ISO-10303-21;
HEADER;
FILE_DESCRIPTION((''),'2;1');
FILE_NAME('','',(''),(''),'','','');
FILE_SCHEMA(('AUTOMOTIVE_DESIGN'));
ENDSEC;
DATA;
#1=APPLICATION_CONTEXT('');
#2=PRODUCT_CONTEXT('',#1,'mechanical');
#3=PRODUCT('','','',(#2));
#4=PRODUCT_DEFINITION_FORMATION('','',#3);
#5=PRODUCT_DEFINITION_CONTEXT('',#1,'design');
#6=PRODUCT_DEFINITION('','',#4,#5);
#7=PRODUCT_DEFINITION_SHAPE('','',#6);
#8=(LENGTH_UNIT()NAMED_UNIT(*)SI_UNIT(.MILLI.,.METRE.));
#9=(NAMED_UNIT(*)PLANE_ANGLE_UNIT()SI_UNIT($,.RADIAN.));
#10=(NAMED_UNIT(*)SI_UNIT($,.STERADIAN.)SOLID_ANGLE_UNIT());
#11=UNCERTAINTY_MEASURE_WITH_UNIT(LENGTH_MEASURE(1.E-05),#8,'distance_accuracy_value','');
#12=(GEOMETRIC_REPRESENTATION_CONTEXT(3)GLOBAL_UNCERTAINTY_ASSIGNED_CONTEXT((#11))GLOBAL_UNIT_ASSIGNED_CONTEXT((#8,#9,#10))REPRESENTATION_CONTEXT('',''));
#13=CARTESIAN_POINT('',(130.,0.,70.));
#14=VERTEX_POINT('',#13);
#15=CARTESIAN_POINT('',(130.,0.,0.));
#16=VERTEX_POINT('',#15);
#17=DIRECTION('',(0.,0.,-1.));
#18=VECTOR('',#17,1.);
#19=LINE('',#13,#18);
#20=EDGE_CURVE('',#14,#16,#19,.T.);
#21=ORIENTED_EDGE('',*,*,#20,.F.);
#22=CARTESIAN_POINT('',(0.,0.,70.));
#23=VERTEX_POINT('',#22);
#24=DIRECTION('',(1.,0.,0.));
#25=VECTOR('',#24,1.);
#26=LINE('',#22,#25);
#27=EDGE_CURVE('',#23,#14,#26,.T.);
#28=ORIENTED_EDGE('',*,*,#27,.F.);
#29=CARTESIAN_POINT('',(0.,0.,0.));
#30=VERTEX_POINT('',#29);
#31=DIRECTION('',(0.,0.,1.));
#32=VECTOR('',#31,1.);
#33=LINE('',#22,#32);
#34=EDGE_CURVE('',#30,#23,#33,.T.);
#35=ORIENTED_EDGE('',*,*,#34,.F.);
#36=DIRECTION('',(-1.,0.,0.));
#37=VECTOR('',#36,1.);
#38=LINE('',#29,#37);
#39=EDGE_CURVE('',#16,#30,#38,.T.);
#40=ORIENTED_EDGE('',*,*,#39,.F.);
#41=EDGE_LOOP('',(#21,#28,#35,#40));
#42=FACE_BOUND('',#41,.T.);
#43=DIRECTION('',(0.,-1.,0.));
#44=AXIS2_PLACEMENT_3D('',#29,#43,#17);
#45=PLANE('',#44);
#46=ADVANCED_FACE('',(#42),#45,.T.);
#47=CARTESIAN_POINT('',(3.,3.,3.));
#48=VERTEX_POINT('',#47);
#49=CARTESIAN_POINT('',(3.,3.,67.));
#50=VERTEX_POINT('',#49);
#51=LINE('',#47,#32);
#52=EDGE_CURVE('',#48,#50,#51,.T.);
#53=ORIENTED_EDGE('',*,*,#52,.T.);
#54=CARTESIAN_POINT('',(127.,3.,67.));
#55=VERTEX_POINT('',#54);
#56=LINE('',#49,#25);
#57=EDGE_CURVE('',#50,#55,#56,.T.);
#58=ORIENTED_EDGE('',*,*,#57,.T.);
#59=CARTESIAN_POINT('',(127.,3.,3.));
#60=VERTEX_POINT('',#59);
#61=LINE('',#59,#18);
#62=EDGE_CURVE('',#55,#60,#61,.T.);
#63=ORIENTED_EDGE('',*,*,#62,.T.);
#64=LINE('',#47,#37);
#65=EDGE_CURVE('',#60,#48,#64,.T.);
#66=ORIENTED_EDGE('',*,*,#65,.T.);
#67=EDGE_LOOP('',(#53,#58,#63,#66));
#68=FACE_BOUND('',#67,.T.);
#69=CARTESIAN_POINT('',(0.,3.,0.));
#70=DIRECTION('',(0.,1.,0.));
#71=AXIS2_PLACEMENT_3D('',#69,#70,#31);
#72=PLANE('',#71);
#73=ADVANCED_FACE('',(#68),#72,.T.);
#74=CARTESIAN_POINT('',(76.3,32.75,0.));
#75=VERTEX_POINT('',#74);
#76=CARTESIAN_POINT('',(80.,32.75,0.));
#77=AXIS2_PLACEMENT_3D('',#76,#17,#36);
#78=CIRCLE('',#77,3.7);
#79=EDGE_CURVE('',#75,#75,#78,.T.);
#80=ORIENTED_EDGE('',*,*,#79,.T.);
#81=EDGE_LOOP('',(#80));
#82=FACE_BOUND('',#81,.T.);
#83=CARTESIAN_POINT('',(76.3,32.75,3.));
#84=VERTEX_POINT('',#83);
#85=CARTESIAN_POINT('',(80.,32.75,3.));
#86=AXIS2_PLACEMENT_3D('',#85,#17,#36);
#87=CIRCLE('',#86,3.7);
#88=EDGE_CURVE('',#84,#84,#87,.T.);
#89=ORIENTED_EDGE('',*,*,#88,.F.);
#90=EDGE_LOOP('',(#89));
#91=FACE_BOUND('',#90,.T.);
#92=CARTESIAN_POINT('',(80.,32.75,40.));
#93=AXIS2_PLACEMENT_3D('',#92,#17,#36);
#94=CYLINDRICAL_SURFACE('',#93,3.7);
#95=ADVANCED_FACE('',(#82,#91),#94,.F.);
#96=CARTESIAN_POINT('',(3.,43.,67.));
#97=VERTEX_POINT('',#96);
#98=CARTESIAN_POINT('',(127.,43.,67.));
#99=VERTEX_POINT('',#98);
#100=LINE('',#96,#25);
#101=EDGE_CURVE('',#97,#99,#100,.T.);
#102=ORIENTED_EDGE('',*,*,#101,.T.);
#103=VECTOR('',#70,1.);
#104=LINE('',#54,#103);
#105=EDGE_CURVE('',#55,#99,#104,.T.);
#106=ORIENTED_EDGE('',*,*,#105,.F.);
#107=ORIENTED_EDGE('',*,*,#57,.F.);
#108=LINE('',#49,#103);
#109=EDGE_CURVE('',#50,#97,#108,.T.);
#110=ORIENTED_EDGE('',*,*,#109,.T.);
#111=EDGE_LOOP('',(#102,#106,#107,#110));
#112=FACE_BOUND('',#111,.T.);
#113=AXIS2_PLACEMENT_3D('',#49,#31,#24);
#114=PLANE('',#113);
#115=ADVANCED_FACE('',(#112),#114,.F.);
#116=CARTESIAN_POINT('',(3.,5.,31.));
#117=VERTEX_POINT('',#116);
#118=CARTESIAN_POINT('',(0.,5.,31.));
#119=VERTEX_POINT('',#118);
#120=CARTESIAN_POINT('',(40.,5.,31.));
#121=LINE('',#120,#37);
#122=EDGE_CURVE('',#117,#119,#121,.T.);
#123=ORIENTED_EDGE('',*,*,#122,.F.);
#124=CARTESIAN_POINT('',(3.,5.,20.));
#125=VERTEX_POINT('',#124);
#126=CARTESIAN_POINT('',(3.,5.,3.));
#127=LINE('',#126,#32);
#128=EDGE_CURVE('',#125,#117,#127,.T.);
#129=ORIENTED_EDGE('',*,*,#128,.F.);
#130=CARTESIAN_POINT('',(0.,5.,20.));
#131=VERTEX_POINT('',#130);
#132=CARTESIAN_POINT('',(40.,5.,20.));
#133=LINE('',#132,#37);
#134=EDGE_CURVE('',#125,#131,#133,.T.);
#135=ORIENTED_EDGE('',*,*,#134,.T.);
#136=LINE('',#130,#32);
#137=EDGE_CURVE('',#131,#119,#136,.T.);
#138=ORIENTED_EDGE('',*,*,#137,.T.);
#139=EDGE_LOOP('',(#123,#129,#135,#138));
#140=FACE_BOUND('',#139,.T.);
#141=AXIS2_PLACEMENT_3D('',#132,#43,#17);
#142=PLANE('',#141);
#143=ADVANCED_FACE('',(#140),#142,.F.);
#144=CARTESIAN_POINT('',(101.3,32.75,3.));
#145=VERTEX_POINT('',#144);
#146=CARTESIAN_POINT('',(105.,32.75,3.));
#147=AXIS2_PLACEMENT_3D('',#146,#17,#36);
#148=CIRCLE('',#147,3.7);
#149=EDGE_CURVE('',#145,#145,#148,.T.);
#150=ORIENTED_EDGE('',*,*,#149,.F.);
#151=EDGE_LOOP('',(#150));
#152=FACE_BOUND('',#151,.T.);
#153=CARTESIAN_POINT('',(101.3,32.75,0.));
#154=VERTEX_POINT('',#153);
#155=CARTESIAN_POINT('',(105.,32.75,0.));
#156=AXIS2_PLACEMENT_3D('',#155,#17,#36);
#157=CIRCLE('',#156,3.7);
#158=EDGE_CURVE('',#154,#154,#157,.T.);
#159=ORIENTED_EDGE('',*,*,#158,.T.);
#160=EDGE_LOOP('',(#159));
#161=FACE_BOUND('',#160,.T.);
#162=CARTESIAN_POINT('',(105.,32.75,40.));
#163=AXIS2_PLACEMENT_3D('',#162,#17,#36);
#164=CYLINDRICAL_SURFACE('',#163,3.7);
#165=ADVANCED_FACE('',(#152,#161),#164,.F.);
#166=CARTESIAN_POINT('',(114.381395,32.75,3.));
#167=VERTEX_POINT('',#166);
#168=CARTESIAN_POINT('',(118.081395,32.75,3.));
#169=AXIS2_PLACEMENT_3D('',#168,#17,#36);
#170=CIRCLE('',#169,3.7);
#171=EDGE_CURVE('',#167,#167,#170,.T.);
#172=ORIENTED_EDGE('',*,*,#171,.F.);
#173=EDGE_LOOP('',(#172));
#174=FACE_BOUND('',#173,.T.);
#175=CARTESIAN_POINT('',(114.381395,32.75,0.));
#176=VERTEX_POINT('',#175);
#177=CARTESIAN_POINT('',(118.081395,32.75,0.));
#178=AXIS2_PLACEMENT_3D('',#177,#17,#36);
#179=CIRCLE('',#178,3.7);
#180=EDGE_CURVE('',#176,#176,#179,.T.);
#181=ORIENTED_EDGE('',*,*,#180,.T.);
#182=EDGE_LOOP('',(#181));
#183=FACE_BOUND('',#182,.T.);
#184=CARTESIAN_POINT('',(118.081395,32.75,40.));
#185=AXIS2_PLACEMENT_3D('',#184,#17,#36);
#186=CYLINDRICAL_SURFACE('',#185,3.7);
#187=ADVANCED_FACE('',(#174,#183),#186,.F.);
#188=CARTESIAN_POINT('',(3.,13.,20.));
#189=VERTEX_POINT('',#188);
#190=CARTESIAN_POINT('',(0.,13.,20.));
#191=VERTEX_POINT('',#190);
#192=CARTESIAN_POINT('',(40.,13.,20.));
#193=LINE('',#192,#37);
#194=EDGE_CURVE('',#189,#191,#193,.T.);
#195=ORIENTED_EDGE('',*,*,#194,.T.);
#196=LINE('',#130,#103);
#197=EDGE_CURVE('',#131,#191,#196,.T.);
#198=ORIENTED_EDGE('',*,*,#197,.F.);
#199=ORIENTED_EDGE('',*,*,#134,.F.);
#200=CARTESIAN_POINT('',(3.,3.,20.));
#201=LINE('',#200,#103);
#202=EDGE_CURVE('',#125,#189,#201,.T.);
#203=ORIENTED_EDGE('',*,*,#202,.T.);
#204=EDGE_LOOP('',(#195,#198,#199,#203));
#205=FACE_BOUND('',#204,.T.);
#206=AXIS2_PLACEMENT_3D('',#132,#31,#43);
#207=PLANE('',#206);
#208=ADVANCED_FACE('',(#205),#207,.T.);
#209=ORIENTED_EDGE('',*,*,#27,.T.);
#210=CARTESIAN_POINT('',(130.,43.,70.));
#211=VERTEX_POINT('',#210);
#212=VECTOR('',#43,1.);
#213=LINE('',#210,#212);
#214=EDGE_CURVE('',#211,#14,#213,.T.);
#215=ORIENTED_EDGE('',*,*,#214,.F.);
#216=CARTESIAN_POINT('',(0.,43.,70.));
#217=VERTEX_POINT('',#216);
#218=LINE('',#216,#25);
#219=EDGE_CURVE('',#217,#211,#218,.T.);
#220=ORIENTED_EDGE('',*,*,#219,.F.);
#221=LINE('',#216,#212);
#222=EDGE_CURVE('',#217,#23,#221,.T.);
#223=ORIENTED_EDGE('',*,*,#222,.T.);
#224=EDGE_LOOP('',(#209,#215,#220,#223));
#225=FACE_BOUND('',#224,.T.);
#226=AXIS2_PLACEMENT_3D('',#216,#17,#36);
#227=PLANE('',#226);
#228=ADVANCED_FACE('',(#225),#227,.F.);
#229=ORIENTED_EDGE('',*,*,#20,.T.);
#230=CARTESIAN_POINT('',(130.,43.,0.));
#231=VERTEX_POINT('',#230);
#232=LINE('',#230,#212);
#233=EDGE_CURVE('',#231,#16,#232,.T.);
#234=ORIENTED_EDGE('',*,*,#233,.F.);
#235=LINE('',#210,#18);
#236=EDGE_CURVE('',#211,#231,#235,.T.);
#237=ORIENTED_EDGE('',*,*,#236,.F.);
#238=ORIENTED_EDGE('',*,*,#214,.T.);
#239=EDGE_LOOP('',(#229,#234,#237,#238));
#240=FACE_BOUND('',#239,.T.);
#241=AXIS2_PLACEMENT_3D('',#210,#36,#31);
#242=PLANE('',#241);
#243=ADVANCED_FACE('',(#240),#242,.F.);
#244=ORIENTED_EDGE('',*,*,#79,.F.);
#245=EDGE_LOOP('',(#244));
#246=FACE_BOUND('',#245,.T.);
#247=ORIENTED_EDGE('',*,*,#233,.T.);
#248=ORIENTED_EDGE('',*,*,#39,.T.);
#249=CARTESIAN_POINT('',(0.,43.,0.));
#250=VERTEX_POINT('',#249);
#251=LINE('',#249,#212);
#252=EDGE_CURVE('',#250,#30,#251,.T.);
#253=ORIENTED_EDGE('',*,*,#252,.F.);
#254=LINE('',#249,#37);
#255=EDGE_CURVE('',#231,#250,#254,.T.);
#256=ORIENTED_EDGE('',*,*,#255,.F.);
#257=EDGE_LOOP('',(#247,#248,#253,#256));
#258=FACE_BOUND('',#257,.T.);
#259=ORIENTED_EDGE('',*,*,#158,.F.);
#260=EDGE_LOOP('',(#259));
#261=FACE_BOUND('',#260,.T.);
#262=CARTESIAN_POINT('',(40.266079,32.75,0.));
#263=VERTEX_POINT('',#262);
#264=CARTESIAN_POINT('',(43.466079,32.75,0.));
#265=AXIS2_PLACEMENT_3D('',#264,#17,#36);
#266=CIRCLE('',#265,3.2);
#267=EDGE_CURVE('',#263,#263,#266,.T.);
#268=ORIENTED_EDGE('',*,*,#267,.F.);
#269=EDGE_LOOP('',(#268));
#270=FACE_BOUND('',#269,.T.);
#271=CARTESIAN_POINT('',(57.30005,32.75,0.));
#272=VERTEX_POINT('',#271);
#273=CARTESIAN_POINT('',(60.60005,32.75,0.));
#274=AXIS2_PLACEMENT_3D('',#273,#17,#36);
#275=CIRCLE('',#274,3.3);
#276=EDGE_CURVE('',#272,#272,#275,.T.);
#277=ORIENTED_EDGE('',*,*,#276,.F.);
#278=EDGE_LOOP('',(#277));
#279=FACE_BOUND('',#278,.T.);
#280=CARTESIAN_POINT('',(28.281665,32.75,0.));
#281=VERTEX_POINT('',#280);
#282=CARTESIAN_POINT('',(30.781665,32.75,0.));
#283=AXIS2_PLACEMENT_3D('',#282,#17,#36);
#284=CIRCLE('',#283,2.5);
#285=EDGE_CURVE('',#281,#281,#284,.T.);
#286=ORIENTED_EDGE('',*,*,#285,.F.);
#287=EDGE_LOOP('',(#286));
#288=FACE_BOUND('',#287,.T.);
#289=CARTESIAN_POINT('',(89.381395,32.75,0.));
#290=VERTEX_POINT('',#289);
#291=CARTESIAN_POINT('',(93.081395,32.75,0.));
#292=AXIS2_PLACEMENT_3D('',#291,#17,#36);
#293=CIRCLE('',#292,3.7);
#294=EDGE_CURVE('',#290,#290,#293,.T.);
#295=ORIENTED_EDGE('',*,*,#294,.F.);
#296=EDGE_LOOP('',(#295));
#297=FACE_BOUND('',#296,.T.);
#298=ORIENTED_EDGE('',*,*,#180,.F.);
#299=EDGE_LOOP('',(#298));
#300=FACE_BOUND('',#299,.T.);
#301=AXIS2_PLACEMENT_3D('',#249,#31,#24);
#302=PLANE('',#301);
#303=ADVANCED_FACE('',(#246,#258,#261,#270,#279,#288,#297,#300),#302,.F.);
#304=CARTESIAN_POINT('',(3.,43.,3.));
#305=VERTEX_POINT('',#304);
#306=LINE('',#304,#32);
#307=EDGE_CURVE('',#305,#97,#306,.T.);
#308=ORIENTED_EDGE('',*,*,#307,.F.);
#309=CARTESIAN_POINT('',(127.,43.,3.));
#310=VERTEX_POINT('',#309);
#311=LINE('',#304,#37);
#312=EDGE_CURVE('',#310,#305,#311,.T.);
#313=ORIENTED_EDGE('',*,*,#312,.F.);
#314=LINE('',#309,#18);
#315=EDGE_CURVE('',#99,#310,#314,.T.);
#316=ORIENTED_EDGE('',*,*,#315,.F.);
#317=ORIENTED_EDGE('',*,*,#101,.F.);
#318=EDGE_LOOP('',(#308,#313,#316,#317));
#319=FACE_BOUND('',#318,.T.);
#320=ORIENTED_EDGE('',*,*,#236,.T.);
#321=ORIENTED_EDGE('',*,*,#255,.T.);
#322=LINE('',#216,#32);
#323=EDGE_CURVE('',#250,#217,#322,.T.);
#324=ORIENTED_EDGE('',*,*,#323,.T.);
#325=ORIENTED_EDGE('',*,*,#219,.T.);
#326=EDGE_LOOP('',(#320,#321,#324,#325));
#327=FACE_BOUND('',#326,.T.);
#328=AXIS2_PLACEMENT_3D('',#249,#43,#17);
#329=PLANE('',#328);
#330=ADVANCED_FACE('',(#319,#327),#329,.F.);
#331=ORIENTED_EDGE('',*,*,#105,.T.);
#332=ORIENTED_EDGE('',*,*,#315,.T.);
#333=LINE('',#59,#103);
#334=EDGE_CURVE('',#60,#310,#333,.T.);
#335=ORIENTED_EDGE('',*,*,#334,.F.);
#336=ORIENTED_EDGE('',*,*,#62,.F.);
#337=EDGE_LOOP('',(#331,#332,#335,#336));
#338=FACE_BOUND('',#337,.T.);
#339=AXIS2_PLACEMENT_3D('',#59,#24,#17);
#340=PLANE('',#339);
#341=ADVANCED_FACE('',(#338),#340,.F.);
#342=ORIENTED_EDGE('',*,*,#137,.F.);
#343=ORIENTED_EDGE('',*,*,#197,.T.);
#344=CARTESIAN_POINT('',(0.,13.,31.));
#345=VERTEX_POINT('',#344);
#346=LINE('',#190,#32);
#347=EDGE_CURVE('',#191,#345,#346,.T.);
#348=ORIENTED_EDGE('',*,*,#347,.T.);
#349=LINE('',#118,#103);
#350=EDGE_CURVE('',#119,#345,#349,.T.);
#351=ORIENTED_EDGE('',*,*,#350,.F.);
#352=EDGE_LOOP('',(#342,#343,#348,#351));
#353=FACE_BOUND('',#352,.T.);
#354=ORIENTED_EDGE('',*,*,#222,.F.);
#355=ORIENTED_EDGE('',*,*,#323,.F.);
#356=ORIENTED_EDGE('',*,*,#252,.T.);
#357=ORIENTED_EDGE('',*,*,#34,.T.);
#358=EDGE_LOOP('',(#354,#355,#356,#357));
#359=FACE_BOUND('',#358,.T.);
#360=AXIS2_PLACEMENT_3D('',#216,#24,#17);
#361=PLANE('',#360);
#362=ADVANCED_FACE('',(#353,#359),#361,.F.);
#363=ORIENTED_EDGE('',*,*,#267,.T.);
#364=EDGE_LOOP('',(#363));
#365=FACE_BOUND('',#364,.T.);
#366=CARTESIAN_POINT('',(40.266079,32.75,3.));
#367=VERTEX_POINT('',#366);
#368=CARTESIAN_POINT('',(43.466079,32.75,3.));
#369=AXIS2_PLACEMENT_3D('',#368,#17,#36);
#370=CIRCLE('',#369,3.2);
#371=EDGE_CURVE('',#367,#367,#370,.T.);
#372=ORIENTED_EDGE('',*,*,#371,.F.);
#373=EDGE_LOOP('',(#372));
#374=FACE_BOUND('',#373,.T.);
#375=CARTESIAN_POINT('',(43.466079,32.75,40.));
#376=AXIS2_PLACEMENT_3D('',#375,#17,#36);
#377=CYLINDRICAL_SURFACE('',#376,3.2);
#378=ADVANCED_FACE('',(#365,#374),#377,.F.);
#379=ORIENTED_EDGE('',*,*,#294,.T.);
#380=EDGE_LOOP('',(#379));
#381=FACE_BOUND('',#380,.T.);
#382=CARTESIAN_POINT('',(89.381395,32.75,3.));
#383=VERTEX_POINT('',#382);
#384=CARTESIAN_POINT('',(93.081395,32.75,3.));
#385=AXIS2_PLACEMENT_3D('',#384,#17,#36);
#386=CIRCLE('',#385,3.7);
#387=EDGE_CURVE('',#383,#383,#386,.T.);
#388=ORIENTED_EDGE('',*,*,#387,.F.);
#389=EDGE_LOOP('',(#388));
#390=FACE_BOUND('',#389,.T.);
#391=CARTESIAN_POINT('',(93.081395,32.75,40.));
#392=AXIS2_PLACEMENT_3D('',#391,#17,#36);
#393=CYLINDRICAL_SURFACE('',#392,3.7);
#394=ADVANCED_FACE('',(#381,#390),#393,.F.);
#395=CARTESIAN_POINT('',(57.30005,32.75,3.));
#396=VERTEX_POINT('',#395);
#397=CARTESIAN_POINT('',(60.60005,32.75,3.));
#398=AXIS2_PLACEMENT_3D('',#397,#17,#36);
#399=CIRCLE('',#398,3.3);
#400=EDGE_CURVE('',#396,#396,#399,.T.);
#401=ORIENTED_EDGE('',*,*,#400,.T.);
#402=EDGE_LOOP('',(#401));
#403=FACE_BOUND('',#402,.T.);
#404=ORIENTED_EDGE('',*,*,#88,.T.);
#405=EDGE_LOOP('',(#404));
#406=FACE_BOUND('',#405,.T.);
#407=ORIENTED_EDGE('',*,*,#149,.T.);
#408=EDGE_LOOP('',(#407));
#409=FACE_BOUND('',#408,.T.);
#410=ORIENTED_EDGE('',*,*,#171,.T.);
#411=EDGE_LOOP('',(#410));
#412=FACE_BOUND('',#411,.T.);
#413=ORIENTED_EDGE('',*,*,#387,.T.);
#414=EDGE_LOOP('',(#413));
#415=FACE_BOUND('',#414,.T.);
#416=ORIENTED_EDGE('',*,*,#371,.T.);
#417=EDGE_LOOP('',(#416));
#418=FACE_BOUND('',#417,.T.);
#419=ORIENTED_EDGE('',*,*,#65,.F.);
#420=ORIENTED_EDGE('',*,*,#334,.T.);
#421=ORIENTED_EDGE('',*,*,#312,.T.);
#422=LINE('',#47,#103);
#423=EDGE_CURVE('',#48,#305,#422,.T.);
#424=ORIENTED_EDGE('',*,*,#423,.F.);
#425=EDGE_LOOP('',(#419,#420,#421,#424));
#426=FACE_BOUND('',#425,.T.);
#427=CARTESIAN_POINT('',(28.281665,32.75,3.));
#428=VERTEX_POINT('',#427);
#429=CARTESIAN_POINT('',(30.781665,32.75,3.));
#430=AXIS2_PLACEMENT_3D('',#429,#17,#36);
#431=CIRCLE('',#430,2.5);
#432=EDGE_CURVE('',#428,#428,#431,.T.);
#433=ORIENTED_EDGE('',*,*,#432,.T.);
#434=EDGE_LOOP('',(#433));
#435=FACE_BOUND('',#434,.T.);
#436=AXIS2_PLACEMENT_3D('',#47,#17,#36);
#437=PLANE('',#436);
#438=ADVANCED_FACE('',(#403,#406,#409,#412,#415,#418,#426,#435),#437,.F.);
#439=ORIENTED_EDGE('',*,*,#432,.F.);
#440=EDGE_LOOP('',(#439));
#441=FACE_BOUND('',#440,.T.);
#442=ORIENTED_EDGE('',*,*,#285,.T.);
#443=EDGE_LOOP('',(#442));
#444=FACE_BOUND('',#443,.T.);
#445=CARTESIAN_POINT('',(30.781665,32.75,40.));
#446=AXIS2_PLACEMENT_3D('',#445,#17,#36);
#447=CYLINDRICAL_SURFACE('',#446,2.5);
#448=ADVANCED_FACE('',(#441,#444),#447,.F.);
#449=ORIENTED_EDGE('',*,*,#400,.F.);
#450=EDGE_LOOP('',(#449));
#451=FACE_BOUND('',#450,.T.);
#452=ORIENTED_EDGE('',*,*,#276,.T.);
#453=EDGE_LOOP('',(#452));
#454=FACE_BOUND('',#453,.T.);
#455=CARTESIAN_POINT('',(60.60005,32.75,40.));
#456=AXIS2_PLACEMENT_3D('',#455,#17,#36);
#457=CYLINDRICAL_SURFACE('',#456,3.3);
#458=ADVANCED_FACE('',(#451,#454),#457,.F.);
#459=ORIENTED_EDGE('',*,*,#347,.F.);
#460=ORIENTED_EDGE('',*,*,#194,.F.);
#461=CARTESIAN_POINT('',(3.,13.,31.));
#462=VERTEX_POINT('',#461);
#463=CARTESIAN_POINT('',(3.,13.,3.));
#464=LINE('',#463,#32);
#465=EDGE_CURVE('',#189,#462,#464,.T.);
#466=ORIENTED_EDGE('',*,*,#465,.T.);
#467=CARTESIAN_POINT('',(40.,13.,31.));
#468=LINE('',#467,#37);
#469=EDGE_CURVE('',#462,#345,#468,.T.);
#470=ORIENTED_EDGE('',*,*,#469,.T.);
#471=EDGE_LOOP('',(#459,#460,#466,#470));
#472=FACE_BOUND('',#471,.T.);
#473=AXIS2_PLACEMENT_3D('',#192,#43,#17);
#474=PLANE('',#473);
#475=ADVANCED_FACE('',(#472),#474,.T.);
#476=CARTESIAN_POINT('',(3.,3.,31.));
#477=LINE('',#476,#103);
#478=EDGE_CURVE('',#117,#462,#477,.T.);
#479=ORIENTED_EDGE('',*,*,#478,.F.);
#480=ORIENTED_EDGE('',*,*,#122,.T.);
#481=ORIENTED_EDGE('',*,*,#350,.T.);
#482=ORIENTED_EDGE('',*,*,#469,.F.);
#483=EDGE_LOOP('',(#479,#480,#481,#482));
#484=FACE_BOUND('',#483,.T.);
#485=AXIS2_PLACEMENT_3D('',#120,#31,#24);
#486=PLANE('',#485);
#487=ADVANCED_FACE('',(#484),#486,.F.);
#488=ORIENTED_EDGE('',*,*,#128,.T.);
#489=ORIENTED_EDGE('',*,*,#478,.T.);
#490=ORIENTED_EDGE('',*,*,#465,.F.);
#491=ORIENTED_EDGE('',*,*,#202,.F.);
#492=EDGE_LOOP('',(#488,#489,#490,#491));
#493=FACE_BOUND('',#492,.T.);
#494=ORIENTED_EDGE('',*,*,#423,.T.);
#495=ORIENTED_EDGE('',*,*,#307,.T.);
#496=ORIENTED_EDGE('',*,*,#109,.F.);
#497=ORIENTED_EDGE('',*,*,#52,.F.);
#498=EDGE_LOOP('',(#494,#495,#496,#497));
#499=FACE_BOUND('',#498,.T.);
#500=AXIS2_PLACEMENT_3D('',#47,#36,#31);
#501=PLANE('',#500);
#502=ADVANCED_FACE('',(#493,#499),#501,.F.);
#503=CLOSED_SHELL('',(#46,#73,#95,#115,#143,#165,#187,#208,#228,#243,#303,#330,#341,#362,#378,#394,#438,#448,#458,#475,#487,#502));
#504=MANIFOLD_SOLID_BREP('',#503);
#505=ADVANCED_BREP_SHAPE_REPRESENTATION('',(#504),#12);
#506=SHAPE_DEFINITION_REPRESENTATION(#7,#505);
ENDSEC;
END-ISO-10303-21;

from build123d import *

# Parameters (mm, degrees)
SKETCH5_W           = 130
SKETCH5_H           = 70
BOSS_EXTRUDE3_DEPTH = 43
SKETCH6_W           = 124
SKETCH6_H           = 64
CUT_EXTRUDE3_DEPTH  = 40
SKETCH8_R           = 3.7
CUT_EXTRUDE7_DEPTH  = 40
SKETCH9_R           = 3.3
SKETCH9_R_2         = 3.2
SKETCH9_R_3         = 2.5
CUT_EXTRUDE8_DEPTH  = 40
SKETCH10_W          = 11
SKETCH10_H          = 8
CUT_EXTRUDE9_DEPTH  = 40


with BuildPart() as part:
    # Sketch5 → Boss-Extrude3 (new body)
    with BuildSketch(Plane(origin=(0, 0, 0), x_dir=(1, 0, 0), z_dir=(0, 1, 0))):
        with Locations((65, -35)):
            Rectangle(SKETCH5_W, SKETCH5_H)
    extrude(amount=BOSS_EXTRUDE3_DEPTH)

    # Sketch6 → Cut-Extrude3 (cut)
    with BuildSketch(Plane(origin=(0, 43, 0), x_dir=(1, 0, 0), z_dir=(0, 1, 0))):
        with Locations((65, -35)):
            Rectangle(SKETCH6_W, SKETCH6_H)
    extrude(amount=-CUT_EXTRUDE3_DEPTH, mode=Mode.SUBTRACT)

    # Sketch8 → Cut-Extrude7 (cut)
    with BuildSketch(Plane(origin=(0, 0, 0), x_dir=(-1, 0, 0), z_dir=(0, 0, -1))):
        with Locations((-105, 32.75)):
            Circle(SKETCH8_R)
        with Locations((-93.081395349, 32.75)):
            Circle(SKETCH8_R)
        with Locations((-80, 32.75)):
            Circle(SKETCH8_R)
        with Locations((-118.081395349, 32.75)):
            Circle(SKETCH8_R)
    extrude(amount=-CUT_EXTRUDE7_DEPTH, mode=Mode.SUBTRACT)

    # Sketch9 → Cut-Extrude8 (cut)
    with BuildSketch(Plane(origin=(0, 0, 0), x_dir=(-1, 0, 0), z_dir=(0, 0, -1))):
        with Locations((-60.600049653, 32.75)):
            Circle(SKETCH9_R)
        with Locations((-43.4660788, 32.75)):
            Circle(SKETCH9_R_2)
        with Locations((-30.78166501, 32.75)):
            Circle(SKETCH9_R_3)
    extrude(amount=-CUT_EXTRUDE8_DEPTH, mode=Mode.SUBTRACT)

    # Sketch10 → Cut-Extrude9 (cut)
    with BuildSketch(Plane.ZY):
        with Locations((25.5, 9)):
            Rectangle(SKETCH10_W, SKETCH10_H)
    extrude(amount=-CUT_EXTRUDE9_DEPTH, mode=Mode.SUBTRACT)


solid = part.part
